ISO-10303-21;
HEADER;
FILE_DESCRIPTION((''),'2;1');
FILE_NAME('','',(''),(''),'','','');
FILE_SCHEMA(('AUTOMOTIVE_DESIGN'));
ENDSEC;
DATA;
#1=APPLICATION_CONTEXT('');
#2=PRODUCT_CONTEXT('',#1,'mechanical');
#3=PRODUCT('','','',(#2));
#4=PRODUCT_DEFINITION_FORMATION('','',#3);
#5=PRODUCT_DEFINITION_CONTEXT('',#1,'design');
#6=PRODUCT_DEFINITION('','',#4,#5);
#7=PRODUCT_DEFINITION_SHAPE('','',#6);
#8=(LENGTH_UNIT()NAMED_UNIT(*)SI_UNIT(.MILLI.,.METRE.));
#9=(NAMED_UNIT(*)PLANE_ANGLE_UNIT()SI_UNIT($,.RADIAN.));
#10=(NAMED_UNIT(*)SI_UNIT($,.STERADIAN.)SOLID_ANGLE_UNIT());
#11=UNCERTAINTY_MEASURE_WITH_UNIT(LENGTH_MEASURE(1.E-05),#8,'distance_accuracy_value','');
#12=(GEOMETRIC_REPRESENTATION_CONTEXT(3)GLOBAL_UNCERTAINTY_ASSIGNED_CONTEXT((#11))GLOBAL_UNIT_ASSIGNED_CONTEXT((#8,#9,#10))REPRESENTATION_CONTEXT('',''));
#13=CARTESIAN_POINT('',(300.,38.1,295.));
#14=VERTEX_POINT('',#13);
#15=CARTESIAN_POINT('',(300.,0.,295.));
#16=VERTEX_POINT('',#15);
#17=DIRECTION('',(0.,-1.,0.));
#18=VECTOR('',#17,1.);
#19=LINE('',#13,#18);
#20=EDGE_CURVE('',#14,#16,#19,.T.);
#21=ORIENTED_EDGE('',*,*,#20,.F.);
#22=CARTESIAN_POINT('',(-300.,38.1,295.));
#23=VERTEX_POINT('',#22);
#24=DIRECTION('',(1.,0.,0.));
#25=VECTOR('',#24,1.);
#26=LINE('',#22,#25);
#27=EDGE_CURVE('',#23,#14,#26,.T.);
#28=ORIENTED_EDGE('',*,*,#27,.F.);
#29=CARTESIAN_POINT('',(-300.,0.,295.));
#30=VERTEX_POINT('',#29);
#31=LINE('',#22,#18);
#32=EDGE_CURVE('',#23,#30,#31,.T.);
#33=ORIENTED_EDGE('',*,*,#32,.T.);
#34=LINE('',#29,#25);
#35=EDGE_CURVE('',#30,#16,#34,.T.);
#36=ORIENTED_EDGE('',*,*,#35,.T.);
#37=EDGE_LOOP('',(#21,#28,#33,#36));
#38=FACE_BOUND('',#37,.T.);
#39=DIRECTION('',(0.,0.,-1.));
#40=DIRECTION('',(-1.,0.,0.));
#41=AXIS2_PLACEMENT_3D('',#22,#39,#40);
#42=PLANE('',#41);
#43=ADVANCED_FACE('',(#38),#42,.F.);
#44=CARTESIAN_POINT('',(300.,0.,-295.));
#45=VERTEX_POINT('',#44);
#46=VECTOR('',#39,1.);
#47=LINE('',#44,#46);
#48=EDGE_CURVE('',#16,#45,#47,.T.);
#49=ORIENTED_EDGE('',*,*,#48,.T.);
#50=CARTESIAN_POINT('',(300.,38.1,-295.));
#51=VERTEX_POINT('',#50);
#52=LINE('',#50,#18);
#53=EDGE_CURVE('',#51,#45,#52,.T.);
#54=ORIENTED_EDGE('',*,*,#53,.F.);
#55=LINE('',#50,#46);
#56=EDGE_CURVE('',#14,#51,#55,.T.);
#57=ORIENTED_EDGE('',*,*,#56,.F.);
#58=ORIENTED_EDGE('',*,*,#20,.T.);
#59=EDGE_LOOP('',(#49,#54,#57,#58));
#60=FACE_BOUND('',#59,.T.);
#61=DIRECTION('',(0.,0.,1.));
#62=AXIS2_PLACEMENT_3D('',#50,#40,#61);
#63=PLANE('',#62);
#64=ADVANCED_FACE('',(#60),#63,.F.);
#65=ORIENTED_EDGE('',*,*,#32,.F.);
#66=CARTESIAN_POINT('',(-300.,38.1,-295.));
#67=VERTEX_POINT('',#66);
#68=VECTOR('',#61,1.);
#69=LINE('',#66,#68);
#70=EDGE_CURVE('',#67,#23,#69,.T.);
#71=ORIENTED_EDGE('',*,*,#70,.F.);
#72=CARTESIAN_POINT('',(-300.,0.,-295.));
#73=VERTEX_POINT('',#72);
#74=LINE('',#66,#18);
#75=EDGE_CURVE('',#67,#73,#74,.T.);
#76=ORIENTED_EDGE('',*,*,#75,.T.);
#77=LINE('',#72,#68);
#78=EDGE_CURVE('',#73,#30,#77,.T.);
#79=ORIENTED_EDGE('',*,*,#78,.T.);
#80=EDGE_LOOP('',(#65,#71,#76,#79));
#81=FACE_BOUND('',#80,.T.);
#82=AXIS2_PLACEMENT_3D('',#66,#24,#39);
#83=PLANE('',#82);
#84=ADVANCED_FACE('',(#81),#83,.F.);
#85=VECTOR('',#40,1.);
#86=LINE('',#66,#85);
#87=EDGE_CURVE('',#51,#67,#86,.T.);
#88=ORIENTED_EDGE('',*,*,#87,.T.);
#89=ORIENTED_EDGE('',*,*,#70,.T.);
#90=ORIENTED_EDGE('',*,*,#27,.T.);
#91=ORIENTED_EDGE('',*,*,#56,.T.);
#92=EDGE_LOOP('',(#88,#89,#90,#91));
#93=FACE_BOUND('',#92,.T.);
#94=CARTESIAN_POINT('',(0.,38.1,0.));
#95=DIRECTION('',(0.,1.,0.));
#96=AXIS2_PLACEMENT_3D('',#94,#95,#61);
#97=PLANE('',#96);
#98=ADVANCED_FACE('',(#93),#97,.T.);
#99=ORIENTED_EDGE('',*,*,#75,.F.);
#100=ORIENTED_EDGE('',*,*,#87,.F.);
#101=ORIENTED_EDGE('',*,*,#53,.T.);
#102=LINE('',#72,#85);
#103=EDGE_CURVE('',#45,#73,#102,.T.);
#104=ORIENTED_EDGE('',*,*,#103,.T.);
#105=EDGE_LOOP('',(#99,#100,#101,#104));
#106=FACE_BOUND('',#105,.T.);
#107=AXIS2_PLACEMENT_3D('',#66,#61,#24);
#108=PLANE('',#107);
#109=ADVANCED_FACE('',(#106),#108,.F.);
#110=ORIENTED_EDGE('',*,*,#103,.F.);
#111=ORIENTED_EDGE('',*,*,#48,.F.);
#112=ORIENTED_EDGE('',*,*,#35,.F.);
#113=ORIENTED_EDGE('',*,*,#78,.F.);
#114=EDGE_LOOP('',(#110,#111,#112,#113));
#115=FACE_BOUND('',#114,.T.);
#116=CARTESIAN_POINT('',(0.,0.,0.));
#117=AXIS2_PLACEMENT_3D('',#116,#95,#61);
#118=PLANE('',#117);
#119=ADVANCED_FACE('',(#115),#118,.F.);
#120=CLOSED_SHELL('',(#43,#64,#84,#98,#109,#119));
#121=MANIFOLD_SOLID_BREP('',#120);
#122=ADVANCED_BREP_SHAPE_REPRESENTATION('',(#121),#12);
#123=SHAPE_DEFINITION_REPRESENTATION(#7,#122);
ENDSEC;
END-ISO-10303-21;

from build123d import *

# Parameters (mm, degrees)
SKETCH1_W           = 600
SKETCH1_H           = 590
BOSS_EXTRUDE1_DEPTH = 38.1


with BuildPart() as part:
    # Sketch1 → Boss-Extrude1 (new body)
    with BuildSketch(Plane(origin=(0, 0, 0), x_dir=(1, 0, 0), z_dir=(0, 1, 0))):
        Rectangle(SKETCH1_W, SKETCH1_H)
    extrude(amount=BOSS_EXTRUDE1_DEPTH)


solid = part.part
